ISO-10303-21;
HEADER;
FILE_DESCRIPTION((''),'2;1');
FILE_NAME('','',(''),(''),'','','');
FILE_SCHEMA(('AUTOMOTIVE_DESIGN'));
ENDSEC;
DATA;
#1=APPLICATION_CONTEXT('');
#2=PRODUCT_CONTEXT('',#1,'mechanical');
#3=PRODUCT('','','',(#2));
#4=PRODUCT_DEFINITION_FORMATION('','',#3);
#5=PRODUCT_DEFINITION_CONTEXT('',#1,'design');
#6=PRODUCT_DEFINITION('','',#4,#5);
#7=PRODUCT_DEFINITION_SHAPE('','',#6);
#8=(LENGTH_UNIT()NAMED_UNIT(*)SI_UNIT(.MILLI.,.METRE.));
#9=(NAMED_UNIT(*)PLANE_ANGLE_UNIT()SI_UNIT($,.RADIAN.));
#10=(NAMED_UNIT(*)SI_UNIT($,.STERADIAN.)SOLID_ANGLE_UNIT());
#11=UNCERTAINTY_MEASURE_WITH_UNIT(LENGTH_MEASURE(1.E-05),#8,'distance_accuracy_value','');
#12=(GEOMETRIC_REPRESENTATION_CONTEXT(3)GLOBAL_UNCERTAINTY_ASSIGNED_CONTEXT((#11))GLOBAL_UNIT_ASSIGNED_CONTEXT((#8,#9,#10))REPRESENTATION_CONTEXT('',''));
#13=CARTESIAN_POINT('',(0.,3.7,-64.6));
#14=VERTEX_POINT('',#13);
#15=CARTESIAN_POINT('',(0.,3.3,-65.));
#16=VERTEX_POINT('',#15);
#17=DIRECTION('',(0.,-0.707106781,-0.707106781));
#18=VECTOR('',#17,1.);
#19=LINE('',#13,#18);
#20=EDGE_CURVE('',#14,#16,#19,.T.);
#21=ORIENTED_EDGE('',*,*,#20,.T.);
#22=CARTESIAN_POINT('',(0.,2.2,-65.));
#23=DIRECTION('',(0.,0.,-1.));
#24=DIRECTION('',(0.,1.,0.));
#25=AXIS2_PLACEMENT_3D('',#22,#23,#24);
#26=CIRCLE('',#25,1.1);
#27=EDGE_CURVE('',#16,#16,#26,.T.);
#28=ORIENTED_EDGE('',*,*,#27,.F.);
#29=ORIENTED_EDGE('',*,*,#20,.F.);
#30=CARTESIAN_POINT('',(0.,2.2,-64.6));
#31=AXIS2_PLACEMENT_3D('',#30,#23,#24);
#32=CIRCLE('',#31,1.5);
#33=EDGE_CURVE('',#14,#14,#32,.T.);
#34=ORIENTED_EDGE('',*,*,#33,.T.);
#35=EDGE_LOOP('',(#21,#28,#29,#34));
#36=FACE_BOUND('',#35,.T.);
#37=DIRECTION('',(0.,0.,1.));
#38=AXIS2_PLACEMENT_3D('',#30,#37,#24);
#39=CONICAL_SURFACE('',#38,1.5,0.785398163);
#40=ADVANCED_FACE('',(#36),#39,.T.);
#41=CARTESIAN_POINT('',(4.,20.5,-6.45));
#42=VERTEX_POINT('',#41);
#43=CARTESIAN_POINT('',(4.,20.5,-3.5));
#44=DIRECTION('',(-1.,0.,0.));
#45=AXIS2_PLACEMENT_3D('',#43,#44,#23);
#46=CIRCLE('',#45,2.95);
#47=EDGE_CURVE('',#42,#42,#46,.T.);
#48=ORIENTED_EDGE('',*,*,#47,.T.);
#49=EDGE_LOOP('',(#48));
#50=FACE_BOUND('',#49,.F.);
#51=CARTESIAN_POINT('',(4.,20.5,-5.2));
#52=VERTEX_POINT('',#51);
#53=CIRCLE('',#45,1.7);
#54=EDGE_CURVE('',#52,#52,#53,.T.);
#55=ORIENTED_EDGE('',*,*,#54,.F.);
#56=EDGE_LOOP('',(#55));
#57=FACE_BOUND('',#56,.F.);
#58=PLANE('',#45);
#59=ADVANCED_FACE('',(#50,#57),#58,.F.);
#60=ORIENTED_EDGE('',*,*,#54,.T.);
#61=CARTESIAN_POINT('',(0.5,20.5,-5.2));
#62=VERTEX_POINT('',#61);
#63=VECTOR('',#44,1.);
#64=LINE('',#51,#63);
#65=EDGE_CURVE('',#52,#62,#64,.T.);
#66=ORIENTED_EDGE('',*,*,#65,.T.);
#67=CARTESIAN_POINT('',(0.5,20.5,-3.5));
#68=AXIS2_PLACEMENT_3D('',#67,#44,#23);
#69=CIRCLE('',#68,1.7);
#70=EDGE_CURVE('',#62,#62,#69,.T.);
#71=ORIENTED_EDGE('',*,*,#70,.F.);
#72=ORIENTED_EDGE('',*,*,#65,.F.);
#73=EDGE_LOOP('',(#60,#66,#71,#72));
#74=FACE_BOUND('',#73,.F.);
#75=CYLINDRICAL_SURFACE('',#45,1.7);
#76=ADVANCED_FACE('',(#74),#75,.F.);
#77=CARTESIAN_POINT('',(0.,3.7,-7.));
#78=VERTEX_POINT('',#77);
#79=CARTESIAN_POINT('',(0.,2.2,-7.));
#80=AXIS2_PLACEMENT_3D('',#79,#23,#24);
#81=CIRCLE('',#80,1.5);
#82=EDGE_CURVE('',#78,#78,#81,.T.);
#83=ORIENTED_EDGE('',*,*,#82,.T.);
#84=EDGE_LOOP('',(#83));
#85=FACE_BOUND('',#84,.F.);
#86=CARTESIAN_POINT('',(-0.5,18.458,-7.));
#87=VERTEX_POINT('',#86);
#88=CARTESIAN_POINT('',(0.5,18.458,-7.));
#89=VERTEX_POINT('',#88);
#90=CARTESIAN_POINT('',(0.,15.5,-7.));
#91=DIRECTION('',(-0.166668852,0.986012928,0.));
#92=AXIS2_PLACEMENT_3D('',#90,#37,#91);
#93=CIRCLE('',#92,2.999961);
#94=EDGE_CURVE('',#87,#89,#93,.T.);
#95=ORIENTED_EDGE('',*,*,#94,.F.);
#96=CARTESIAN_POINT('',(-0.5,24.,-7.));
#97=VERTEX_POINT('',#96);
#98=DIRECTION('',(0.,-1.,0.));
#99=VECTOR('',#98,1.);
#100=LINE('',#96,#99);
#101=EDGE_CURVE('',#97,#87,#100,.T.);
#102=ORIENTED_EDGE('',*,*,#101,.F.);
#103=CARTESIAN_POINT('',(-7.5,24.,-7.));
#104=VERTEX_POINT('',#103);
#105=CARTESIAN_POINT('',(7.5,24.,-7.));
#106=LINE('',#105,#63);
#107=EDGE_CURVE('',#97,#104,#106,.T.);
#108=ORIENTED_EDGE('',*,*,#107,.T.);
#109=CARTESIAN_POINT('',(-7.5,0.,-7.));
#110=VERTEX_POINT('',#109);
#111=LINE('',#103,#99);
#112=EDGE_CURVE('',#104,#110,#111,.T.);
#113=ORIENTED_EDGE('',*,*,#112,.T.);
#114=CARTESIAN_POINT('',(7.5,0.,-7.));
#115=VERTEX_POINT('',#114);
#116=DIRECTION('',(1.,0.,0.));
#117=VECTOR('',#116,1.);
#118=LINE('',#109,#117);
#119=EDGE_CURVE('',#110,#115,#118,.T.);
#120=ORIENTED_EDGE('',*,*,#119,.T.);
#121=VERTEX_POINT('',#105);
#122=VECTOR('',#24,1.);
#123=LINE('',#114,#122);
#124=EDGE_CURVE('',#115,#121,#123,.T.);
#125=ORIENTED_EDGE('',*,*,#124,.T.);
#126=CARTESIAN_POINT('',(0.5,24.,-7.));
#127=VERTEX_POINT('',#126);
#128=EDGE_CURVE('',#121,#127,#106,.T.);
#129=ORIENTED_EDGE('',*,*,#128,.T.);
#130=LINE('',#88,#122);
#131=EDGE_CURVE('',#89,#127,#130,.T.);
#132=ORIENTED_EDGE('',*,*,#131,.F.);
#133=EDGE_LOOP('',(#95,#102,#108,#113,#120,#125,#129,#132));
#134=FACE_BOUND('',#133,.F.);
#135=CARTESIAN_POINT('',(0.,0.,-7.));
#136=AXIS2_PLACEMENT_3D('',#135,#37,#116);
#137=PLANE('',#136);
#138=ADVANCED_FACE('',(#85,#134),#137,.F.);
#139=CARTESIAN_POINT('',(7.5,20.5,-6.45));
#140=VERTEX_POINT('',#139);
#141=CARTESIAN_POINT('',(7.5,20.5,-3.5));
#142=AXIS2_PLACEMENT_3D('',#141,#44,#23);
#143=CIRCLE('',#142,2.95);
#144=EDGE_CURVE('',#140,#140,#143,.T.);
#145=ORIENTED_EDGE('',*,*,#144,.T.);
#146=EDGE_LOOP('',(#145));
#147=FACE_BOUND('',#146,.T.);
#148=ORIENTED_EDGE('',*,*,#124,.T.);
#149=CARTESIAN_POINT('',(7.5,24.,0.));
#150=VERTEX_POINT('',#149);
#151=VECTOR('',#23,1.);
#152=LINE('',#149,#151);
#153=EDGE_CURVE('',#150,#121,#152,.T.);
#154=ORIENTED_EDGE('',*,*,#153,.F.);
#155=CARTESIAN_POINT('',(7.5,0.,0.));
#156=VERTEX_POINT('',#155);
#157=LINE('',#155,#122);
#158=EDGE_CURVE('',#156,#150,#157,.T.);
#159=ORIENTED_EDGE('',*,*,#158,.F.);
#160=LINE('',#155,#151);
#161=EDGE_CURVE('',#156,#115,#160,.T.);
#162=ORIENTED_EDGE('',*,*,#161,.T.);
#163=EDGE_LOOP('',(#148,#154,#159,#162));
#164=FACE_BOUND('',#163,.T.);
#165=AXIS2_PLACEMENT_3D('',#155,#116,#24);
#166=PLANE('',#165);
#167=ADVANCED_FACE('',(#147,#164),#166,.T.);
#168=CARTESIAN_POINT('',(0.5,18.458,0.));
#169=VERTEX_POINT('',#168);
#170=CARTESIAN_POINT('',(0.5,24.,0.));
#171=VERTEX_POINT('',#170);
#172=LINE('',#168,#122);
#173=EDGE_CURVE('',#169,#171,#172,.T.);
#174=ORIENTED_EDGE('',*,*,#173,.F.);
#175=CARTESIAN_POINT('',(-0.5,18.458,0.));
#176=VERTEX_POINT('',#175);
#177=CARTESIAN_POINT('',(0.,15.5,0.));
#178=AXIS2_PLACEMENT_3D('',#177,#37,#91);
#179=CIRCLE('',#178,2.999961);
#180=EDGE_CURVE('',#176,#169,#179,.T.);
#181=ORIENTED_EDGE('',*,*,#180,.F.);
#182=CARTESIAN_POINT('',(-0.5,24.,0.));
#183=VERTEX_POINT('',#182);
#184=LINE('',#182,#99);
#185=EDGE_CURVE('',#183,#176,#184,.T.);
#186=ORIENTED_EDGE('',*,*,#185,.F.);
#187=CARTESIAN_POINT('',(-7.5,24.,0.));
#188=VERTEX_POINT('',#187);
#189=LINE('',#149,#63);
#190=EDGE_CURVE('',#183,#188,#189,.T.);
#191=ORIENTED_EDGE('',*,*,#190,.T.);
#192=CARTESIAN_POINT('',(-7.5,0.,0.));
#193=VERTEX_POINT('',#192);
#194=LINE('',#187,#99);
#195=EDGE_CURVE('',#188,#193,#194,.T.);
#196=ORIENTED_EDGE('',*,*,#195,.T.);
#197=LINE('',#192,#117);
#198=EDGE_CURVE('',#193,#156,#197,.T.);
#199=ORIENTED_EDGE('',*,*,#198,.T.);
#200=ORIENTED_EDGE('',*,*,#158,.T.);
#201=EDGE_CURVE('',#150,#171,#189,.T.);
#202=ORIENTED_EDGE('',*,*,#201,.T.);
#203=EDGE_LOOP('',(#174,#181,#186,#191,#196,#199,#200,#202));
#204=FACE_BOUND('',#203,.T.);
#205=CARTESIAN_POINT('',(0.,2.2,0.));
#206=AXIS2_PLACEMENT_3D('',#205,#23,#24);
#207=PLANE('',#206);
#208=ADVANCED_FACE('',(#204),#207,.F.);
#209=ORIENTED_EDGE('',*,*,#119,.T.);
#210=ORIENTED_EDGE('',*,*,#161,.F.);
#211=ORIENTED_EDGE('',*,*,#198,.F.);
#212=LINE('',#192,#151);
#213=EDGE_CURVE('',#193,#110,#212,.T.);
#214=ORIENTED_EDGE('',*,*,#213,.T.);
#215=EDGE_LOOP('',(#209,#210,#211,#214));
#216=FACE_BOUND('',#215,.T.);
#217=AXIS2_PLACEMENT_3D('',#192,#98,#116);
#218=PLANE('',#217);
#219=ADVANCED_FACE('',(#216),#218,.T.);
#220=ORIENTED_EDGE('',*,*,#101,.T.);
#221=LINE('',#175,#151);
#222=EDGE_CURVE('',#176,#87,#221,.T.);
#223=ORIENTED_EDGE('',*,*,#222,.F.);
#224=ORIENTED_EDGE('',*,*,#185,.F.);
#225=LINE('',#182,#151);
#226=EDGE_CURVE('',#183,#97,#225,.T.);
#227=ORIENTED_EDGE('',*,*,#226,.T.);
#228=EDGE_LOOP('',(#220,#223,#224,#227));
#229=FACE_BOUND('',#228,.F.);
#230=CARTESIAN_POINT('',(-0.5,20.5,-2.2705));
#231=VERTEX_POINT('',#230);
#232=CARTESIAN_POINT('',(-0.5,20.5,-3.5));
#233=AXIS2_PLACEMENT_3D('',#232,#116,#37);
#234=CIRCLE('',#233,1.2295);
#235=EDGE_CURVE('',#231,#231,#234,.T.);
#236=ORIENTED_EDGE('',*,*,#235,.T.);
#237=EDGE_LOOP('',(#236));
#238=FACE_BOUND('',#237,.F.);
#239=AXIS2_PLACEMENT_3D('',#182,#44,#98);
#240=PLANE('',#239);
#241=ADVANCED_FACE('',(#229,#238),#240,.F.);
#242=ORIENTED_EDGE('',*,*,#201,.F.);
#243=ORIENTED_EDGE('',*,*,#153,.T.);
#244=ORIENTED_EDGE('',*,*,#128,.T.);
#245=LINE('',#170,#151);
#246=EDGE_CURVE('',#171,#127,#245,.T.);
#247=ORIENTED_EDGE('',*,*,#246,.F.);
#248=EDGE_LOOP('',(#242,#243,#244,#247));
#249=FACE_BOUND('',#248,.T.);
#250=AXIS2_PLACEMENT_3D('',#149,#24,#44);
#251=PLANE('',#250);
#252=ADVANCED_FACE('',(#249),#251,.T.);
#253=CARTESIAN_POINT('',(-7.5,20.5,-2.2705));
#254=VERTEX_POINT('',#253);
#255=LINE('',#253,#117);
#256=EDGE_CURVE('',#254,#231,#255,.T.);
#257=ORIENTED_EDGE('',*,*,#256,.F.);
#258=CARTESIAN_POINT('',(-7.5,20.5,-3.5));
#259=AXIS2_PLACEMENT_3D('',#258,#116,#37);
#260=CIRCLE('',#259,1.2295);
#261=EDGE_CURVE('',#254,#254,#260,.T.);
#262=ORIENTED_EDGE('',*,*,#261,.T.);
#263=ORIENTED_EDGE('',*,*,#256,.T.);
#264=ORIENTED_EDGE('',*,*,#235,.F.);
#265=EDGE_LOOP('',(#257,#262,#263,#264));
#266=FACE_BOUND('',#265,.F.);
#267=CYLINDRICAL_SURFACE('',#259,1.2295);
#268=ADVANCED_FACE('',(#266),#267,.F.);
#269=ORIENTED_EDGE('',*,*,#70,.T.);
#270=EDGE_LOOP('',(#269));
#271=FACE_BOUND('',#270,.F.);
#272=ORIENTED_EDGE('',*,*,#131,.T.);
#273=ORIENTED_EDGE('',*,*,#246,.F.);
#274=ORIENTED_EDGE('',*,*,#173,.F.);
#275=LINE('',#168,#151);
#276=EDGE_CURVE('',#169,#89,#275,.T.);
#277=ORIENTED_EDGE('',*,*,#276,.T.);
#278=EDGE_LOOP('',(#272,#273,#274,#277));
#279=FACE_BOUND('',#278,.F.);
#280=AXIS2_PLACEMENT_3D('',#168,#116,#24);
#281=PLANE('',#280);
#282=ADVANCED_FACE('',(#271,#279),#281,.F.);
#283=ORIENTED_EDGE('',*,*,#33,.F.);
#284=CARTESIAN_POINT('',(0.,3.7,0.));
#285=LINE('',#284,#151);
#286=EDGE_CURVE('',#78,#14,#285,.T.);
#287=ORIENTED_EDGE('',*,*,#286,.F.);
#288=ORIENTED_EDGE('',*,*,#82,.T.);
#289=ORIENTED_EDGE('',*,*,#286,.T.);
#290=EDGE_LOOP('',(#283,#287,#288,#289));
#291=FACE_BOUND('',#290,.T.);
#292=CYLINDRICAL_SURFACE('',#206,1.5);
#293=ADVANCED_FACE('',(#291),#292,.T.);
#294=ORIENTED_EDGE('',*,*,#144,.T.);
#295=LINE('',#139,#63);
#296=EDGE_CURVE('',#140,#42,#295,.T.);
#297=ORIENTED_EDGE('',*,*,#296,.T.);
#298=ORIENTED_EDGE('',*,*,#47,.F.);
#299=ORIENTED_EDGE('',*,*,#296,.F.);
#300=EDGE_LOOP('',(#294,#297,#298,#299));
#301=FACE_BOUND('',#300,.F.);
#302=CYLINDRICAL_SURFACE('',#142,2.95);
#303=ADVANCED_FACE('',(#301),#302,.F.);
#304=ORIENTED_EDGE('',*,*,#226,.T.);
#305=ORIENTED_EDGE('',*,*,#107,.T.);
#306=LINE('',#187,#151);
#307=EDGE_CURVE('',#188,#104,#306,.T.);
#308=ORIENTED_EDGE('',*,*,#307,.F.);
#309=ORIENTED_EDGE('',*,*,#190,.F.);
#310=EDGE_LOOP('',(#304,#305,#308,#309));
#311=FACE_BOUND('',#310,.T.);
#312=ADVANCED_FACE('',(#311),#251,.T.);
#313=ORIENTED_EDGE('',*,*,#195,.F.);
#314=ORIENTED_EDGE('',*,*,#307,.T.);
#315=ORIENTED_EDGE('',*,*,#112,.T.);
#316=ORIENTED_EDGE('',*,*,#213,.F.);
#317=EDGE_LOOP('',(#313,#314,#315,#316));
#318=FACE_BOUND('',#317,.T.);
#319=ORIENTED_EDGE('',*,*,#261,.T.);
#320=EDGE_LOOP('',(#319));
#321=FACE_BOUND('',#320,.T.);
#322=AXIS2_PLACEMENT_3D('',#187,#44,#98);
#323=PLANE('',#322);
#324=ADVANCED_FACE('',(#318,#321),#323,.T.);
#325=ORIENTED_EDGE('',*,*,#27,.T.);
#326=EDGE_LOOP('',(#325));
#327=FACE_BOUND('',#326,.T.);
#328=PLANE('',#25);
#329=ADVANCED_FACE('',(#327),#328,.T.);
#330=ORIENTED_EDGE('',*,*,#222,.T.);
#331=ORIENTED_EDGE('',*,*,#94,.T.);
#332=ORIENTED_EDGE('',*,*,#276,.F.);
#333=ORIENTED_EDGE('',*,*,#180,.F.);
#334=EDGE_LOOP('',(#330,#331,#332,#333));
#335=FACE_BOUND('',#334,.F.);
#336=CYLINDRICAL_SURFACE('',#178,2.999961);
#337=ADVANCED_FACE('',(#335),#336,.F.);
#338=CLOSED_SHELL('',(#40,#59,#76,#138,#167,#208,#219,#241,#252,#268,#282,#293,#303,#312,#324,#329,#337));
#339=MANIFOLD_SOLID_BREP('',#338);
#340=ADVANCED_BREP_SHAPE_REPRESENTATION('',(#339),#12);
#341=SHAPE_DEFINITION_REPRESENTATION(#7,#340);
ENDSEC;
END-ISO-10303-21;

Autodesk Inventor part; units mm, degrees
sketch "Sketch_1" plane through (0, 0, 0) normal (0, 0, 1) x (1, 0, 0)
  line L0 (-7.5, 24) -> (-7.5, 0)
  line L1 (-7.5, 0) -> (7.5, 0)
  line L2 (7.5, 0) -> (7.5, 24)
  line L3 (7.5, 24) -> (-7.5, 24)
extrude "Extrusion1" add sketch "Sketch_1" against normal blind 7
sketch "Sketch_3" plane through (0, 0, 0) normal (0, 0, 1) x (1, 0, 0)
  arc A0 (-0.5, 18.458) -> (0.5, 18.458) centre (0, 15.5) ccw
  line L0 (0.5, 18.458) -> (0.5, 24)
  line L1 (0.5, 24) -> (-0.5, 24)
  line L2 (-0.5, 24) -> (-0.5, 18.458)
extrude "Extrusion2" cut sketch "Sketch_3" against normal blind 7
sketch "Sketch3" plane through (7.5, 0, 0) normal (1, 0, 0) x (0, 0, -1)
  point P0 (3.5, 20.5)
hole "Hole1" at (7.5, 20.5, -3.5) direction (-1, 0, 0) diameter 3.4 depth 7.5 counterbore diameter 5.9 counterbore depth 3.5
sketch "Sketch4" plane through (-7.5, 0, 0) normal (-1, 0, 0) x (0, 0, 1)
  point P0 (-3.5, 20.5)
hole "Hole2" at (-7.5, 20.5, -3.5) direction (1, 0, 0) diameter 2.459 depth 7 thread size "M3x0.5" class "6H" standard "ISO Metric profile"
sketch "Sketch_6" plane through (0, 0, 0) normal (1, 0, 0) x (0, 1, 0)
  line L0 (2.2, -65) -> (2.2, 0)
  line L1 (2.2, 0) -> (3.7, 0)
  line L2 (3.7, 0) -> (3.7, -64.6)
  line L3 (3.7, -64.6) -> (3.3, -65)
  line L4 (3.3, -65) -> (2.2, -65)
  line L5 (2.2, -65) -> (2.2, 0)
revolve "Revolution1" add sketch "Sketch_6" angle 360 about axis through (0, 2.2, -65) along (0, 0, -1)
ref_plane "CP_PLATE_XY" through (0, 15.5, 0) normal (0, 0, 1) x (1, 0, 0)
ref_plane "CP_PLATE_YZ" through (0, 15.5, 0) normal (1, 0, 0) x (0, 1, 0)
ref_plane "CP_PLATE_ZX" through (0, 15.5, 0) normal (0, 1, 0) x (0, 0, 1)
ref_plane "CP_SCREW_XY" through (4, 20.5, -3.5) normal (1, 0, 0) x (0, 0, -1)
ref_plane "CP_SCREW_YZ" through (4, 20.5, -3.5) normal (0, 0, -1) x (0, 1, 0)
ref_plane "CP_SCREW_ZX" through (4, 20.5, -3.5) normal (0, 1, 0) x (1, 0, 0)
properties part number "4186566 DPDM 16-50---(p)"
